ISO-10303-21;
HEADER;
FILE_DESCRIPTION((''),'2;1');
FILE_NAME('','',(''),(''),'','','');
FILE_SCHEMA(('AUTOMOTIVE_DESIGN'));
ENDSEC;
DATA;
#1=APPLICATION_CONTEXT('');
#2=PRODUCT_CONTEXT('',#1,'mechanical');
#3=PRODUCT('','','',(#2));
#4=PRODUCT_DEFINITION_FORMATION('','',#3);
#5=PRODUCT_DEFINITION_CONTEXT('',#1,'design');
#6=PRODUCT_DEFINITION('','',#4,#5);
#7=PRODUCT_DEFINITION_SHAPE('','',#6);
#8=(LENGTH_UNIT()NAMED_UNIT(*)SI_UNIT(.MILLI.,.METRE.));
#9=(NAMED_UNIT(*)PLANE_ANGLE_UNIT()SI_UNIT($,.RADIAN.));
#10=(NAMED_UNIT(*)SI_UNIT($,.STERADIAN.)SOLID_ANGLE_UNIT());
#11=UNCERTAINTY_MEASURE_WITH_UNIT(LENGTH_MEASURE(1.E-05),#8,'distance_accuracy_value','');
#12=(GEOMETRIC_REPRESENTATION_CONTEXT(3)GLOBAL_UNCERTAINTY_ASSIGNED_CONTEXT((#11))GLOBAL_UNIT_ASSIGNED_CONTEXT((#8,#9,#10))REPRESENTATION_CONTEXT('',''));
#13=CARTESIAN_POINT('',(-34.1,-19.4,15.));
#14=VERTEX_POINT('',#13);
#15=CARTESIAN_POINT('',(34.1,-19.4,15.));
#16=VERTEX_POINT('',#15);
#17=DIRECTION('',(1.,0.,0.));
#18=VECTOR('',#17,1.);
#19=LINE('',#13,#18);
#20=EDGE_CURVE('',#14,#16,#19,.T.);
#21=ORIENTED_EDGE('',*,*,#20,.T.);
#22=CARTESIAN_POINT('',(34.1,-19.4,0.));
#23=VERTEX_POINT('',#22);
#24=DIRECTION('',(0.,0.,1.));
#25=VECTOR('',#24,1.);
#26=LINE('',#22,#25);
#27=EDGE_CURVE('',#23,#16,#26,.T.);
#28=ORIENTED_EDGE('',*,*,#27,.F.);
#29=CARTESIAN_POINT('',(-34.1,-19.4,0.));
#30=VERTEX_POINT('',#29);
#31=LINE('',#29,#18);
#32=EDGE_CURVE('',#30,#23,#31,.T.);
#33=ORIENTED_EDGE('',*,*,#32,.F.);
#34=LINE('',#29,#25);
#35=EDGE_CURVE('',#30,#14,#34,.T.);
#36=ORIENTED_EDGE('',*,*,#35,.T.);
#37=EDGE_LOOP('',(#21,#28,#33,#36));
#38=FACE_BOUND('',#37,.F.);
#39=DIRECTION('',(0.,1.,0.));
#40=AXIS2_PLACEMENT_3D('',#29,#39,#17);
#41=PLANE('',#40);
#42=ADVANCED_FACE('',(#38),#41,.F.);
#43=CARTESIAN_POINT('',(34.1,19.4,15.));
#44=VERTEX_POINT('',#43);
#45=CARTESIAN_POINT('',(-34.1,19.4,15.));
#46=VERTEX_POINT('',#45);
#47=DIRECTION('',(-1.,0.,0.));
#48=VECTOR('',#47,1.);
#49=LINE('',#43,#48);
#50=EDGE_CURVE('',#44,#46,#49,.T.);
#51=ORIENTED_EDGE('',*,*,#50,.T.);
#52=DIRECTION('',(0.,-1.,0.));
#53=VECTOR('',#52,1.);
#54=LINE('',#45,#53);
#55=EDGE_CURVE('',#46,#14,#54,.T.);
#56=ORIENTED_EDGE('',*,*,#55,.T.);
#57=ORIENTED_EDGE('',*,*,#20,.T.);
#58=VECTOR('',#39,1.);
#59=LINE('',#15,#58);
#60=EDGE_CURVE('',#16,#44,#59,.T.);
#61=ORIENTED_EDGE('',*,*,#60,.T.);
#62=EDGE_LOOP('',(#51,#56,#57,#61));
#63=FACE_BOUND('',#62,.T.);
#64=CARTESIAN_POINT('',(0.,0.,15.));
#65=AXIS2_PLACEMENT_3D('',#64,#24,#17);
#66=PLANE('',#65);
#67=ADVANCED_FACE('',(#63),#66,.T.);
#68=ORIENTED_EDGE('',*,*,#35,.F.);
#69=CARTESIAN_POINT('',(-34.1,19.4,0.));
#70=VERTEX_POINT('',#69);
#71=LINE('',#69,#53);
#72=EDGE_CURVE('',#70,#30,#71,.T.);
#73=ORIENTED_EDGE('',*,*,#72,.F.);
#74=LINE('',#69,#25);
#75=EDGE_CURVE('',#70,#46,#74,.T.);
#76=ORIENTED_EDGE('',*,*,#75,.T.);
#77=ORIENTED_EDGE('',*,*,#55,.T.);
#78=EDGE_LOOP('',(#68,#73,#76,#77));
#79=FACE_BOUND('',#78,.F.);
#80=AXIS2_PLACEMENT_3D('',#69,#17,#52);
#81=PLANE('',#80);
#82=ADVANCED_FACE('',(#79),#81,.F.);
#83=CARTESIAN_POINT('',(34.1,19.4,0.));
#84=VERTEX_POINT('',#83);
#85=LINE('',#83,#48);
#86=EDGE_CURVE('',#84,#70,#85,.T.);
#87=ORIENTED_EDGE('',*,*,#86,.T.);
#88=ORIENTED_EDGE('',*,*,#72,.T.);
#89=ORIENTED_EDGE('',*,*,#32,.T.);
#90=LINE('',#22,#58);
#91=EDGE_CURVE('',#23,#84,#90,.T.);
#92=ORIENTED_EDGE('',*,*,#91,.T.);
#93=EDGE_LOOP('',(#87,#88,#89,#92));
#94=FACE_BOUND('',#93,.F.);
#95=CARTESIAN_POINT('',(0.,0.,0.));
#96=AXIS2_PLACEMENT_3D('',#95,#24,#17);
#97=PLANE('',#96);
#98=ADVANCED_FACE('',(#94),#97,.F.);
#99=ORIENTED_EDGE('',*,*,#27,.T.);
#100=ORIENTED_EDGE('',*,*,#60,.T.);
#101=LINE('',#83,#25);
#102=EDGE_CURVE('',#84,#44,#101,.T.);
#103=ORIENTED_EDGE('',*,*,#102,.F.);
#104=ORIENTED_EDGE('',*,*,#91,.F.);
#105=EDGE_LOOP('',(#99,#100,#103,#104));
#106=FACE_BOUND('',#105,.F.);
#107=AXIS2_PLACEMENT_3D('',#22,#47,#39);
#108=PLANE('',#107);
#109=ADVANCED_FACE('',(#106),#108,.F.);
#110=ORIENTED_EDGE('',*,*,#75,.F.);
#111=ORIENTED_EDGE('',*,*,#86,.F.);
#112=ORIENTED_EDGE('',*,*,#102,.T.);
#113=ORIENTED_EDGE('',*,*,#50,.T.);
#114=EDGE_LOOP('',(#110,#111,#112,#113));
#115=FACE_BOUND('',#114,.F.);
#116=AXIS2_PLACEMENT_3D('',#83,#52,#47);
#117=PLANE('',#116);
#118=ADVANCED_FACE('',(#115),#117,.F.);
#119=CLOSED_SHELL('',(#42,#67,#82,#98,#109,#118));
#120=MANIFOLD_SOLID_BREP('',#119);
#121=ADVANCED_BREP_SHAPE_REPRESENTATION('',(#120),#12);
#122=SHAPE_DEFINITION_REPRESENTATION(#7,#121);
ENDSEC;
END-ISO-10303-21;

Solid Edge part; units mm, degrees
sketch "Sketch1" plane through (0, 0, 0) normal (0, 0, 1) x (1, 0, 0)
  line L0 (-34.1, -19.4) -> (34.1, -19.4)
  line L1 (34.1, -19.4) -> (34.1, 19.4)
  line L2 (34.1, 19.4) -> (-34.1, 19.4)
  line L3 (-34.1, 19.4) -> (-34.1, -19.4)
extrude "Protrusion1" add sketch "Sketch1" along normal blind 15
